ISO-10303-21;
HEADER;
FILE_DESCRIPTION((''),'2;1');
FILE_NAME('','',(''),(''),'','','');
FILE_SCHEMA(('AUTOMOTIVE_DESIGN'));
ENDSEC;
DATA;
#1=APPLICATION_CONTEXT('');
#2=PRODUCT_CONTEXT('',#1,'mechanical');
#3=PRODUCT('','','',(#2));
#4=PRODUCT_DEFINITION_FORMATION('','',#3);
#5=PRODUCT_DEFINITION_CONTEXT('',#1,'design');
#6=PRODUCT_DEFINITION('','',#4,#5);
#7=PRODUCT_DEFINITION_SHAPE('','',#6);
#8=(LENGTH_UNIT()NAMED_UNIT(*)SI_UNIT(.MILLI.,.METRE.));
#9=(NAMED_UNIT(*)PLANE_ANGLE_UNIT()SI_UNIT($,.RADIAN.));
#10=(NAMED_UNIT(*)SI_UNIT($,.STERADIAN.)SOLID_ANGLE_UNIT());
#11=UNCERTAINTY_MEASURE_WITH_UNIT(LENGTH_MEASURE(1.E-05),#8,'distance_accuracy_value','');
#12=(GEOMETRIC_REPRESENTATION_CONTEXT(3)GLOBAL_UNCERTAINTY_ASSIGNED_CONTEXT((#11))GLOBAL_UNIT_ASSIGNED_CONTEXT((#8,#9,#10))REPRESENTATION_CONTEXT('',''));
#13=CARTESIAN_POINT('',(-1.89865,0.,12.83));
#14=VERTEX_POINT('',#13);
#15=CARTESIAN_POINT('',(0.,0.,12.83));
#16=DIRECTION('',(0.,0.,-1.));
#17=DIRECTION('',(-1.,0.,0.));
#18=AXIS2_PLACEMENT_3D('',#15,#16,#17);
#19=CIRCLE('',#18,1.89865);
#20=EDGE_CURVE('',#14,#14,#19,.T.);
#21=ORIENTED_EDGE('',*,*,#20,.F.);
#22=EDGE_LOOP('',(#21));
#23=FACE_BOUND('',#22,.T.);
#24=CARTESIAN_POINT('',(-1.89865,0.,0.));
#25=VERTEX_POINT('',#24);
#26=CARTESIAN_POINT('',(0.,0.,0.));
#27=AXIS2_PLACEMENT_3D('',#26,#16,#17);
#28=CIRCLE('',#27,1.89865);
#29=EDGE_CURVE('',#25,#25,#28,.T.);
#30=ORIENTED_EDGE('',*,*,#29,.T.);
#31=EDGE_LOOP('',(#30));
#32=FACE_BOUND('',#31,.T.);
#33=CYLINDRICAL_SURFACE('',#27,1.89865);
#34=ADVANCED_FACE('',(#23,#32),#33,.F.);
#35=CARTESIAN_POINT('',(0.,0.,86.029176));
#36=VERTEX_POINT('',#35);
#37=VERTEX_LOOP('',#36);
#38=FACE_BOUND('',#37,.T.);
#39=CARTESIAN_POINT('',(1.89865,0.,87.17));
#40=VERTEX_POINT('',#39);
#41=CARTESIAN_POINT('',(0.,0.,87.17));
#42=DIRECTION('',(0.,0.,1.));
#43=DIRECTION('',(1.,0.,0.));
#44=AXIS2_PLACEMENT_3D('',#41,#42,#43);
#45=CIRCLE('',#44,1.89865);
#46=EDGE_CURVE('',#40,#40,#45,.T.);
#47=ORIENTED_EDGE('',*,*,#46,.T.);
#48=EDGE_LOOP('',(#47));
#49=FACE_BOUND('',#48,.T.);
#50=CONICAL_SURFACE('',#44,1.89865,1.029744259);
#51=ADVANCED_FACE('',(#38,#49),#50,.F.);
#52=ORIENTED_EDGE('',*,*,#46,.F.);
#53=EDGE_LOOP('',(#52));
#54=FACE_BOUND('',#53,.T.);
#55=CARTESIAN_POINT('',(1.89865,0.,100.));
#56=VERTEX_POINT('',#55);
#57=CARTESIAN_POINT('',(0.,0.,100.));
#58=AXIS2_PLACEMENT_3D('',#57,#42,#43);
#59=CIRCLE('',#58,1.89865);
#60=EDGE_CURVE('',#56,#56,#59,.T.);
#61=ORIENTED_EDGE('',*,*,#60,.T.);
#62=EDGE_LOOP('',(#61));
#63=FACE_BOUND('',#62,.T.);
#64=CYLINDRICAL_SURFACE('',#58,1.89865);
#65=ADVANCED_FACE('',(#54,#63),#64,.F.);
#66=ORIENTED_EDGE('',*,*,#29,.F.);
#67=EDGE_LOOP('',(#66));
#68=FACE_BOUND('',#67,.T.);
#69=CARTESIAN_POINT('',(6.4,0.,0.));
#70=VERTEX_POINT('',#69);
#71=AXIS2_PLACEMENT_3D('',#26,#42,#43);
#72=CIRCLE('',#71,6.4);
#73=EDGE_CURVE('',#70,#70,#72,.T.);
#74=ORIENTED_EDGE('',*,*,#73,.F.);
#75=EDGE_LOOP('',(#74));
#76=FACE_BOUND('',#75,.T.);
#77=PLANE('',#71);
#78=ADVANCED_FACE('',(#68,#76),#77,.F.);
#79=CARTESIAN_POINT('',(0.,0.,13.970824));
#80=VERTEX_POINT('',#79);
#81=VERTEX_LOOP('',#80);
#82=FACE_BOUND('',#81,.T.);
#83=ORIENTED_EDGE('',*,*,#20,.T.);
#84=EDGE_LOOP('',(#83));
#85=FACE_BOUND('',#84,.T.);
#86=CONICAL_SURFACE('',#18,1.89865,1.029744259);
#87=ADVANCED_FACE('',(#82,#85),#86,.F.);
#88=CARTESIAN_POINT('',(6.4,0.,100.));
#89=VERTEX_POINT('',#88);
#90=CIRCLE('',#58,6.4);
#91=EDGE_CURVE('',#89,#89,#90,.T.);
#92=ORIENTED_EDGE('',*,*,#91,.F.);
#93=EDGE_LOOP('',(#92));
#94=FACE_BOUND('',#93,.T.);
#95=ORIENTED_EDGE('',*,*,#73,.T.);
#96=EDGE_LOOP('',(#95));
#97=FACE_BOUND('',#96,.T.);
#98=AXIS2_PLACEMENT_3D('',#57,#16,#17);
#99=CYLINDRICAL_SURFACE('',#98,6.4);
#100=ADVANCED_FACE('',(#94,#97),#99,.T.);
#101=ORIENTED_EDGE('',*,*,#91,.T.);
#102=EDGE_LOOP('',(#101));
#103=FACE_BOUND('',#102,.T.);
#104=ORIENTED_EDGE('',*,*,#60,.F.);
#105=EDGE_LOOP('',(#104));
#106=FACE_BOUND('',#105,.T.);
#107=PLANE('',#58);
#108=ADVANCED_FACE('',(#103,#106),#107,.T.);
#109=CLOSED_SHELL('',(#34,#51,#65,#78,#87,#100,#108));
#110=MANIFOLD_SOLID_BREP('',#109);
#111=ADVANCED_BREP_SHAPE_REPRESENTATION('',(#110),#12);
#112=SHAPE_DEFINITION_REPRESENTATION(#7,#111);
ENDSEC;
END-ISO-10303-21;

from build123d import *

# Parameters (mm, degrees)
SKETCH1_R                  = 6.4
BOSS_EXTRUDE1_DEPTH        = 100
F_10_24_TAPPED_HOLE1_D     = 3.7973
F_10_24_TAPPED_HOLE1_DEPTH = 12.83
F_10_24_TAPPED_HOLE1_TIP   = 1.140824014
F_10_24_TAPPED_HOLE2_D     = 3.7973
F_10_24_TAPPED_HOLE2_DEPTH = 12.83
F_10_24_TAPPED_HOLE2_TIP   = 1.140824014


with BuildPart() as part:
    # Sketch1 → Boss-Extrude1 (new body)
    with BuildSketch(Plane.XY):
        Circle(SKETCH1_R)
    extrude(amount=BOSS_EXTRUDE1_DEPTH)

    # #10-24 Tapped Hole1
    with Locations(Plane(origin=(0, 0, 0), x_dir=(-1, 0, 0), z_dir=(0, 0, -1))):
        with Locations((0, 0)):
            Hole(F_10_24_TAPPED_HOLE1_D / 2, depth=F_10_24_TAPPED_HOLE1_DEPTH)
            with Locations((0, 0, -(F_10_24_TAPPED_HOLE1_DEPTH + F_10_24_TAPPED_HOLE1_TIP / 2))):  # 118° drill point
                Cone(0, F_10_24_TAPPED_HOLE1_D / 2, F_10_24_TAPPED_HOLE1_TIP, mode=Mode.SUBTRACT)

    # #10-24 Tapped Hole2
    with Locations(Plane.XY.offset(100)):
        with Locations((0, 0)):
            Hole(F_10_24_TAPPED_HOLE2_D / 2, depth=F_10_24_TAPPED_HOLE2_DEPTH)
            with Locations((0, 0, -(F_10_24_TAPPED_HOLE2_DEPTH + F_10_24_TAPPED_HOLE2_TIP / 2))):  # 118° drill point
                Cone(0, F_10_24_TAPPED_HOLE2_D / 2, F_10_24_TAPPED_HOLE2_TIP, mode=Mode.SUBTRACT)


solid = part.part
